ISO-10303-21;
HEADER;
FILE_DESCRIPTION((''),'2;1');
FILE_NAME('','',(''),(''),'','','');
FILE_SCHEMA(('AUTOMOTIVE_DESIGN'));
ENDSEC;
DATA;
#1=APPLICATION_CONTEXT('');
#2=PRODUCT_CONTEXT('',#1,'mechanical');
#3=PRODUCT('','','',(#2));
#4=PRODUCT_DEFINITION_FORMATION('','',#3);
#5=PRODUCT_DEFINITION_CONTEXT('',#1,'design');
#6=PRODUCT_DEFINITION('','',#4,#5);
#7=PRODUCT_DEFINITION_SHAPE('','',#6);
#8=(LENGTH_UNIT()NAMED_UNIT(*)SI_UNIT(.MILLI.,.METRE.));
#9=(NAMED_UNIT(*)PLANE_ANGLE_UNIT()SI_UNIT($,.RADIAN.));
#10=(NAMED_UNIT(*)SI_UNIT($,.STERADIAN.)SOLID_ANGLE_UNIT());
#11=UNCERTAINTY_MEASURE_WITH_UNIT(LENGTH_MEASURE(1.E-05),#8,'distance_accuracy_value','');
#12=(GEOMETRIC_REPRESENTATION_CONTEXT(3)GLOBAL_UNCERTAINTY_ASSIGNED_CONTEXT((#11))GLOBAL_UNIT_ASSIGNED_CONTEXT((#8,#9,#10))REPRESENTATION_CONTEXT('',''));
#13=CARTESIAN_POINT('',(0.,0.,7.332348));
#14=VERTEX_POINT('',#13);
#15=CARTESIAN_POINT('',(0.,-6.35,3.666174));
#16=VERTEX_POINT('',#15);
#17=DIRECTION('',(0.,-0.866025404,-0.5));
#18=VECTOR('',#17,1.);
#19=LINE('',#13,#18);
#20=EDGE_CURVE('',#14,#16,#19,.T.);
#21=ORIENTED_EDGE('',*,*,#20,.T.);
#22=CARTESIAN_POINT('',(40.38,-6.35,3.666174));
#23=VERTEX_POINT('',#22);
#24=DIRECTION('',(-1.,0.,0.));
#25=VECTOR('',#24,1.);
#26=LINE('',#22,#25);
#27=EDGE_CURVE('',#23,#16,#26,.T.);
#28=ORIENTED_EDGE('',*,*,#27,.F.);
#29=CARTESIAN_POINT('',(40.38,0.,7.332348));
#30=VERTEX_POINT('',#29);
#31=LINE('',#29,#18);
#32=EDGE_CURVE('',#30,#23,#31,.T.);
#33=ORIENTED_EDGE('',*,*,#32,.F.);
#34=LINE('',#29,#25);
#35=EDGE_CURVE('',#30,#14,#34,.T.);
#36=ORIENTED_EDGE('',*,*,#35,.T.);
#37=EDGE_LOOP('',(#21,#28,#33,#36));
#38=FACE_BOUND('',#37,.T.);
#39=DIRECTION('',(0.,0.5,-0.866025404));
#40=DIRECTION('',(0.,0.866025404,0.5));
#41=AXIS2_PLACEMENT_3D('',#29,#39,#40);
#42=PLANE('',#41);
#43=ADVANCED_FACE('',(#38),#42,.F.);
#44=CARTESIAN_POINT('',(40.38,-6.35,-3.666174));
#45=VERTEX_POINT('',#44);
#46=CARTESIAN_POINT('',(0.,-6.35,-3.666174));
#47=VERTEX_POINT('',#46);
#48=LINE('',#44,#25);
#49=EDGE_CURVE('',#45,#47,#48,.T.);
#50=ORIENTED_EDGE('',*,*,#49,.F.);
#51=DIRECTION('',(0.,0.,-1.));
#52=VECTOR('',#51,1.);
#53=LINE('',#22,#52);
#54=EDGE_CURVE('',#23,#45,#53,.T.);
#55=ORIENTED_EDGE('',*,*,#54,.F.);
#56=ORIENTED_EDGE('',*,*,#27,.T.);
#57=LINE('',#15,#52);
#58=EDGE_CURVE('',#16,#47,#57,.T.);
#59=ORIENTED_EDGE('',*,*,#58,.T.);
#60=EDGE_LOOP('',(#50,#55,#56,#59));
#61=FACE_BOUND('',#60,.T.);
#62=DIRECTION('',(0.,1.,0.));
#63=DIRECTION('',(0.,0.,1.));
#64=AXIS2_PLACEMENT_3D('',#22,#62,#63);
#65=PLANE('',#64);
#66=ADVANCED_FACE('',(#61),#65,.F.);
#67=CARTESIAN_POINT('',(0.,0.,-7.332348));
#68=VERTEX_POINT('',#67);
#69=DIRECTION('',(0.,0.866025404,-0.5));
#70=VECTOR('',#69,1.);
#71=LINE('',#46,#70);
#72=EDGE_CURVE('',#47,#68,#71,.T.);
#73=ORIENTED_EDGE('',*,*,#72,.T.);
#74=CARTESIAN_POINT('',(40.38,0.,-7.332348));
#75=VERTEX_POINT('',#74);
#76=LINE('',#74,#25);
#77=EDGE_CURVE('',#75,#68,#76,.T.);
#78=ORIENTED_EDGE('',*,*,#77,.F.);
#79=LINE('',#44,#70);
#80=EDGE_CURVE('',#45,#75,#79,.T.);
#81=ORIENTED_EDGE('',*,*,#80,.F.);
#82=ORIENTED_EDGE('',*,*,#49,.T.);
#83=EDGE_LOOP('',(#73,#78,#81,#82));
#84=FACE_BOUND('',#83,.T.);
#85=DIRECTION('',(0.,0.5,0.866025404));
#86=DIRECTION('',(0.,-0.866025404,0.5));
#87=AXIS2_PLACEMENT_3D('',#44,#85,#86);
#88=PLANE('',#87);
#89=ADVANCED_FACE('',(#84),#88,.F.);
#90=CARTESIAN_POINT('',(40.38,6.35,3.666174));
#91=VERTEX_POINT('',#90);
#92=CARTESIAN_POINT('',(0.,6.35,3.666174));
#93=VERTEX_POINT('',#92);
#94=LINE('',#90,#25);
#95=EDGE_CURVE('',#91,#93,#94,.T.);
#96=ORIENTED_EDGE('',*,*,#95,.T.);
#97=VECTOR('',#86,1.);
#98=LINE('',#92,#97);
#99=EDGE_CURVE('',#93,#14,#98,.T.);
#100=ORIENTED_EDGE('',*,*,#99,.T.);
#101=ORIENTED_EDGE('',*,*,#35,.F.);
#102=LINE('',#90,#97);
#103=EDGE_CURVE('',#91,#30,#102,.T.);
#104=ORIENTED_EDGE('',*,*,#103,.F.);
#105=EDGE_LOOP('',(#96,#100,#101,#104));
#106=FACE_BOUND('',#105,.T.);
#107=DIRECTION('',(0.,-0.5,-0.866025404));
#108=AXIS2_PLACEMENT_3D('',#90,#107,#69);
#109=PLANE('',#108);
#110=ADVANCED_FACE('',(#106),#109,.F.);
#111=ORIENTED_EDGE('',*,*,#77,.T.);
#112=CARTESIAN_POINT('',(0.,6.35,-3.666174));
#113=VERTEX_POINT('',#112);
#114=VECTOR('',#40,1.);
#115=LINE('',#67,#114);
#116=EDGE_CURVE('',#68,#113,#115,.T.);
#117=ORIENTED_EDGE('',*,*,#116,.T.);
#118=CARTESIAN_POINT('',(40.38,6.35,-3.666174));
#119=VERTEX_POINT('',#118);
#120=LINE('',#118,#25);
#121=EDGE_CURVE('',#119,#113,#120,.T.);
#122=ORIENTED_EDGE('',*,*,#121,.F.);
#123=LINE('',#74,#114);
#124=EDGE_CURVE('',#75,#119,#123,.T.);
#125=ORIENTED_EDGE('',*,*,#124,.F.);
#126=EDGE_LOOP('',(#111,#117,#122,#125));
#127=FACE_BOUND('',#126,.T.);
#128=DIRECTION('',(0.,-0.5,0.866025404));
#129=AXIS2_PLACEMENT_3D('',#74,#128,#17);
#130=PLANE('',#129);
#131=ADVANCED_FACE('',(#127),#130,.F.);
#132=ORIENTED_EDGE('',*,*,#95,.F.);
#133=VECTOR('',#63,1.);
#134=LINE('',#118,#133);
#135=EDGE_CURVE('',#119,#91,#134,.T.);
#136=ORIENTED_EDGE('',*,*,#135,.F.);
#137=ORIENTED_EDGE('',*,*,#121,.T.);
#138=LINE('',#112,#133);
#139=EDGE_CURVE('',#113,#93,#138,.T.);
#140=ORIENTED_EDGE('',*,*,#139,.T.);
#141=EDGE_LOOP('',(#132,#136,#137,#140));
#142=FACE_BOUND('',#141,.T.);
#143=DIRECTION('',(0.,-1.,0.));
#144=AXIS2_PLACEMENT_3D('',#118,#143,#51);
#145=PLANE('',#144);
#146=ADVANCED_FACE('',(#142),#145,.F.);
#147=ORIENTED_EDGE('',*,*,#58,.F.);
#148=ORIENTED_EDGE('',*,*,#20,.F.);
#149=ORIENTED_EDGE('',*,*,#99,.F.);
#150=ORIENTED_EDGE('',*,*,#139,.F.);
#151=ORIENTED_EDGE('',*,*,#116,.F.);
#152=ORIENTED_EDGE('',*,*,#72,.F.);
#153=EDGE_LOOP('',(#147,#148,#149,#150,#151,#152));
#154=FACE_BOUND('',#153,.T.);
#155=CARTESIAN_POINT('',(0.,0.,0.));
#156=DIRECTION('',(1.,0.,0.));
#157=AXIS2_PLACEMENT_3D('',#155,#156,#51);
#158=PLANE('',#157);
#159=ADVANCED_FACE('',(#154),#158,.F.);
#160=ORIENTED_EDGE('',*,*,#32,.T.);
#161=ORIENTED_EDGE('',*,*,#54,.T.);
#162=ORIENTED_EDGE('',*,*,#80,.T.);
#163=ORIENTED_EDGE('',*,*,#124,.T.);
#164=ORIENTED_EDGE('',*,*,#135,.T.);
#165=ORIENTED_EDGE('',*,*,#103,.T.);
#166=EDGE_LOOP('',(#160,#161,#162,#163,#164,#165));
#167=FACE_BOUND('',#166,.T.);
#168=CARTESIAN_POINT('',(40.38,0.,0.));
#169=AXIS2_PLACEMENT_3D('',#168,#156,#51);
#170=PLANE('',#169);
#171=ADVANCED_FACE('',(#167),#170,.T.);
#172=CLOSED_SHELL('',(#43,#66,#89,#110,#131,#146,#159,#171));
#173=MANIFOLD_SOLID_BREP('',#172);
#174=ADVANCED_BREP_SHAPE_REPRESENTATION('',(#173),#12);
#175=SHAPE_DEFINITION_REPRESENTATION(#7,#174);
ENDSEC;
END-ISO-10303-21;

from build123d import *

# Parameters (mm, degrees)
BOSS_EXTRUDE1_DEPTH = 40.38


with BuildPart() as part:
    # Sketch1 → Boss-Extrude1 (new body)
    with BuildSketch(Plane(origin=(0, 0, 0), x_dir=(0, 0, -1), z_dir=(1, 0, 0))):
        Polygon((7.332348419, 0), (3.666174209, 6.35), (-3.666174209, 6.35), (-7.332348419, 0), (-3.666174209, -6.35), (3.666174209, -6.35), align=None)
    extrude(amount=BOSS_EXTRUDE1_DEPTH)


solid = part.part
